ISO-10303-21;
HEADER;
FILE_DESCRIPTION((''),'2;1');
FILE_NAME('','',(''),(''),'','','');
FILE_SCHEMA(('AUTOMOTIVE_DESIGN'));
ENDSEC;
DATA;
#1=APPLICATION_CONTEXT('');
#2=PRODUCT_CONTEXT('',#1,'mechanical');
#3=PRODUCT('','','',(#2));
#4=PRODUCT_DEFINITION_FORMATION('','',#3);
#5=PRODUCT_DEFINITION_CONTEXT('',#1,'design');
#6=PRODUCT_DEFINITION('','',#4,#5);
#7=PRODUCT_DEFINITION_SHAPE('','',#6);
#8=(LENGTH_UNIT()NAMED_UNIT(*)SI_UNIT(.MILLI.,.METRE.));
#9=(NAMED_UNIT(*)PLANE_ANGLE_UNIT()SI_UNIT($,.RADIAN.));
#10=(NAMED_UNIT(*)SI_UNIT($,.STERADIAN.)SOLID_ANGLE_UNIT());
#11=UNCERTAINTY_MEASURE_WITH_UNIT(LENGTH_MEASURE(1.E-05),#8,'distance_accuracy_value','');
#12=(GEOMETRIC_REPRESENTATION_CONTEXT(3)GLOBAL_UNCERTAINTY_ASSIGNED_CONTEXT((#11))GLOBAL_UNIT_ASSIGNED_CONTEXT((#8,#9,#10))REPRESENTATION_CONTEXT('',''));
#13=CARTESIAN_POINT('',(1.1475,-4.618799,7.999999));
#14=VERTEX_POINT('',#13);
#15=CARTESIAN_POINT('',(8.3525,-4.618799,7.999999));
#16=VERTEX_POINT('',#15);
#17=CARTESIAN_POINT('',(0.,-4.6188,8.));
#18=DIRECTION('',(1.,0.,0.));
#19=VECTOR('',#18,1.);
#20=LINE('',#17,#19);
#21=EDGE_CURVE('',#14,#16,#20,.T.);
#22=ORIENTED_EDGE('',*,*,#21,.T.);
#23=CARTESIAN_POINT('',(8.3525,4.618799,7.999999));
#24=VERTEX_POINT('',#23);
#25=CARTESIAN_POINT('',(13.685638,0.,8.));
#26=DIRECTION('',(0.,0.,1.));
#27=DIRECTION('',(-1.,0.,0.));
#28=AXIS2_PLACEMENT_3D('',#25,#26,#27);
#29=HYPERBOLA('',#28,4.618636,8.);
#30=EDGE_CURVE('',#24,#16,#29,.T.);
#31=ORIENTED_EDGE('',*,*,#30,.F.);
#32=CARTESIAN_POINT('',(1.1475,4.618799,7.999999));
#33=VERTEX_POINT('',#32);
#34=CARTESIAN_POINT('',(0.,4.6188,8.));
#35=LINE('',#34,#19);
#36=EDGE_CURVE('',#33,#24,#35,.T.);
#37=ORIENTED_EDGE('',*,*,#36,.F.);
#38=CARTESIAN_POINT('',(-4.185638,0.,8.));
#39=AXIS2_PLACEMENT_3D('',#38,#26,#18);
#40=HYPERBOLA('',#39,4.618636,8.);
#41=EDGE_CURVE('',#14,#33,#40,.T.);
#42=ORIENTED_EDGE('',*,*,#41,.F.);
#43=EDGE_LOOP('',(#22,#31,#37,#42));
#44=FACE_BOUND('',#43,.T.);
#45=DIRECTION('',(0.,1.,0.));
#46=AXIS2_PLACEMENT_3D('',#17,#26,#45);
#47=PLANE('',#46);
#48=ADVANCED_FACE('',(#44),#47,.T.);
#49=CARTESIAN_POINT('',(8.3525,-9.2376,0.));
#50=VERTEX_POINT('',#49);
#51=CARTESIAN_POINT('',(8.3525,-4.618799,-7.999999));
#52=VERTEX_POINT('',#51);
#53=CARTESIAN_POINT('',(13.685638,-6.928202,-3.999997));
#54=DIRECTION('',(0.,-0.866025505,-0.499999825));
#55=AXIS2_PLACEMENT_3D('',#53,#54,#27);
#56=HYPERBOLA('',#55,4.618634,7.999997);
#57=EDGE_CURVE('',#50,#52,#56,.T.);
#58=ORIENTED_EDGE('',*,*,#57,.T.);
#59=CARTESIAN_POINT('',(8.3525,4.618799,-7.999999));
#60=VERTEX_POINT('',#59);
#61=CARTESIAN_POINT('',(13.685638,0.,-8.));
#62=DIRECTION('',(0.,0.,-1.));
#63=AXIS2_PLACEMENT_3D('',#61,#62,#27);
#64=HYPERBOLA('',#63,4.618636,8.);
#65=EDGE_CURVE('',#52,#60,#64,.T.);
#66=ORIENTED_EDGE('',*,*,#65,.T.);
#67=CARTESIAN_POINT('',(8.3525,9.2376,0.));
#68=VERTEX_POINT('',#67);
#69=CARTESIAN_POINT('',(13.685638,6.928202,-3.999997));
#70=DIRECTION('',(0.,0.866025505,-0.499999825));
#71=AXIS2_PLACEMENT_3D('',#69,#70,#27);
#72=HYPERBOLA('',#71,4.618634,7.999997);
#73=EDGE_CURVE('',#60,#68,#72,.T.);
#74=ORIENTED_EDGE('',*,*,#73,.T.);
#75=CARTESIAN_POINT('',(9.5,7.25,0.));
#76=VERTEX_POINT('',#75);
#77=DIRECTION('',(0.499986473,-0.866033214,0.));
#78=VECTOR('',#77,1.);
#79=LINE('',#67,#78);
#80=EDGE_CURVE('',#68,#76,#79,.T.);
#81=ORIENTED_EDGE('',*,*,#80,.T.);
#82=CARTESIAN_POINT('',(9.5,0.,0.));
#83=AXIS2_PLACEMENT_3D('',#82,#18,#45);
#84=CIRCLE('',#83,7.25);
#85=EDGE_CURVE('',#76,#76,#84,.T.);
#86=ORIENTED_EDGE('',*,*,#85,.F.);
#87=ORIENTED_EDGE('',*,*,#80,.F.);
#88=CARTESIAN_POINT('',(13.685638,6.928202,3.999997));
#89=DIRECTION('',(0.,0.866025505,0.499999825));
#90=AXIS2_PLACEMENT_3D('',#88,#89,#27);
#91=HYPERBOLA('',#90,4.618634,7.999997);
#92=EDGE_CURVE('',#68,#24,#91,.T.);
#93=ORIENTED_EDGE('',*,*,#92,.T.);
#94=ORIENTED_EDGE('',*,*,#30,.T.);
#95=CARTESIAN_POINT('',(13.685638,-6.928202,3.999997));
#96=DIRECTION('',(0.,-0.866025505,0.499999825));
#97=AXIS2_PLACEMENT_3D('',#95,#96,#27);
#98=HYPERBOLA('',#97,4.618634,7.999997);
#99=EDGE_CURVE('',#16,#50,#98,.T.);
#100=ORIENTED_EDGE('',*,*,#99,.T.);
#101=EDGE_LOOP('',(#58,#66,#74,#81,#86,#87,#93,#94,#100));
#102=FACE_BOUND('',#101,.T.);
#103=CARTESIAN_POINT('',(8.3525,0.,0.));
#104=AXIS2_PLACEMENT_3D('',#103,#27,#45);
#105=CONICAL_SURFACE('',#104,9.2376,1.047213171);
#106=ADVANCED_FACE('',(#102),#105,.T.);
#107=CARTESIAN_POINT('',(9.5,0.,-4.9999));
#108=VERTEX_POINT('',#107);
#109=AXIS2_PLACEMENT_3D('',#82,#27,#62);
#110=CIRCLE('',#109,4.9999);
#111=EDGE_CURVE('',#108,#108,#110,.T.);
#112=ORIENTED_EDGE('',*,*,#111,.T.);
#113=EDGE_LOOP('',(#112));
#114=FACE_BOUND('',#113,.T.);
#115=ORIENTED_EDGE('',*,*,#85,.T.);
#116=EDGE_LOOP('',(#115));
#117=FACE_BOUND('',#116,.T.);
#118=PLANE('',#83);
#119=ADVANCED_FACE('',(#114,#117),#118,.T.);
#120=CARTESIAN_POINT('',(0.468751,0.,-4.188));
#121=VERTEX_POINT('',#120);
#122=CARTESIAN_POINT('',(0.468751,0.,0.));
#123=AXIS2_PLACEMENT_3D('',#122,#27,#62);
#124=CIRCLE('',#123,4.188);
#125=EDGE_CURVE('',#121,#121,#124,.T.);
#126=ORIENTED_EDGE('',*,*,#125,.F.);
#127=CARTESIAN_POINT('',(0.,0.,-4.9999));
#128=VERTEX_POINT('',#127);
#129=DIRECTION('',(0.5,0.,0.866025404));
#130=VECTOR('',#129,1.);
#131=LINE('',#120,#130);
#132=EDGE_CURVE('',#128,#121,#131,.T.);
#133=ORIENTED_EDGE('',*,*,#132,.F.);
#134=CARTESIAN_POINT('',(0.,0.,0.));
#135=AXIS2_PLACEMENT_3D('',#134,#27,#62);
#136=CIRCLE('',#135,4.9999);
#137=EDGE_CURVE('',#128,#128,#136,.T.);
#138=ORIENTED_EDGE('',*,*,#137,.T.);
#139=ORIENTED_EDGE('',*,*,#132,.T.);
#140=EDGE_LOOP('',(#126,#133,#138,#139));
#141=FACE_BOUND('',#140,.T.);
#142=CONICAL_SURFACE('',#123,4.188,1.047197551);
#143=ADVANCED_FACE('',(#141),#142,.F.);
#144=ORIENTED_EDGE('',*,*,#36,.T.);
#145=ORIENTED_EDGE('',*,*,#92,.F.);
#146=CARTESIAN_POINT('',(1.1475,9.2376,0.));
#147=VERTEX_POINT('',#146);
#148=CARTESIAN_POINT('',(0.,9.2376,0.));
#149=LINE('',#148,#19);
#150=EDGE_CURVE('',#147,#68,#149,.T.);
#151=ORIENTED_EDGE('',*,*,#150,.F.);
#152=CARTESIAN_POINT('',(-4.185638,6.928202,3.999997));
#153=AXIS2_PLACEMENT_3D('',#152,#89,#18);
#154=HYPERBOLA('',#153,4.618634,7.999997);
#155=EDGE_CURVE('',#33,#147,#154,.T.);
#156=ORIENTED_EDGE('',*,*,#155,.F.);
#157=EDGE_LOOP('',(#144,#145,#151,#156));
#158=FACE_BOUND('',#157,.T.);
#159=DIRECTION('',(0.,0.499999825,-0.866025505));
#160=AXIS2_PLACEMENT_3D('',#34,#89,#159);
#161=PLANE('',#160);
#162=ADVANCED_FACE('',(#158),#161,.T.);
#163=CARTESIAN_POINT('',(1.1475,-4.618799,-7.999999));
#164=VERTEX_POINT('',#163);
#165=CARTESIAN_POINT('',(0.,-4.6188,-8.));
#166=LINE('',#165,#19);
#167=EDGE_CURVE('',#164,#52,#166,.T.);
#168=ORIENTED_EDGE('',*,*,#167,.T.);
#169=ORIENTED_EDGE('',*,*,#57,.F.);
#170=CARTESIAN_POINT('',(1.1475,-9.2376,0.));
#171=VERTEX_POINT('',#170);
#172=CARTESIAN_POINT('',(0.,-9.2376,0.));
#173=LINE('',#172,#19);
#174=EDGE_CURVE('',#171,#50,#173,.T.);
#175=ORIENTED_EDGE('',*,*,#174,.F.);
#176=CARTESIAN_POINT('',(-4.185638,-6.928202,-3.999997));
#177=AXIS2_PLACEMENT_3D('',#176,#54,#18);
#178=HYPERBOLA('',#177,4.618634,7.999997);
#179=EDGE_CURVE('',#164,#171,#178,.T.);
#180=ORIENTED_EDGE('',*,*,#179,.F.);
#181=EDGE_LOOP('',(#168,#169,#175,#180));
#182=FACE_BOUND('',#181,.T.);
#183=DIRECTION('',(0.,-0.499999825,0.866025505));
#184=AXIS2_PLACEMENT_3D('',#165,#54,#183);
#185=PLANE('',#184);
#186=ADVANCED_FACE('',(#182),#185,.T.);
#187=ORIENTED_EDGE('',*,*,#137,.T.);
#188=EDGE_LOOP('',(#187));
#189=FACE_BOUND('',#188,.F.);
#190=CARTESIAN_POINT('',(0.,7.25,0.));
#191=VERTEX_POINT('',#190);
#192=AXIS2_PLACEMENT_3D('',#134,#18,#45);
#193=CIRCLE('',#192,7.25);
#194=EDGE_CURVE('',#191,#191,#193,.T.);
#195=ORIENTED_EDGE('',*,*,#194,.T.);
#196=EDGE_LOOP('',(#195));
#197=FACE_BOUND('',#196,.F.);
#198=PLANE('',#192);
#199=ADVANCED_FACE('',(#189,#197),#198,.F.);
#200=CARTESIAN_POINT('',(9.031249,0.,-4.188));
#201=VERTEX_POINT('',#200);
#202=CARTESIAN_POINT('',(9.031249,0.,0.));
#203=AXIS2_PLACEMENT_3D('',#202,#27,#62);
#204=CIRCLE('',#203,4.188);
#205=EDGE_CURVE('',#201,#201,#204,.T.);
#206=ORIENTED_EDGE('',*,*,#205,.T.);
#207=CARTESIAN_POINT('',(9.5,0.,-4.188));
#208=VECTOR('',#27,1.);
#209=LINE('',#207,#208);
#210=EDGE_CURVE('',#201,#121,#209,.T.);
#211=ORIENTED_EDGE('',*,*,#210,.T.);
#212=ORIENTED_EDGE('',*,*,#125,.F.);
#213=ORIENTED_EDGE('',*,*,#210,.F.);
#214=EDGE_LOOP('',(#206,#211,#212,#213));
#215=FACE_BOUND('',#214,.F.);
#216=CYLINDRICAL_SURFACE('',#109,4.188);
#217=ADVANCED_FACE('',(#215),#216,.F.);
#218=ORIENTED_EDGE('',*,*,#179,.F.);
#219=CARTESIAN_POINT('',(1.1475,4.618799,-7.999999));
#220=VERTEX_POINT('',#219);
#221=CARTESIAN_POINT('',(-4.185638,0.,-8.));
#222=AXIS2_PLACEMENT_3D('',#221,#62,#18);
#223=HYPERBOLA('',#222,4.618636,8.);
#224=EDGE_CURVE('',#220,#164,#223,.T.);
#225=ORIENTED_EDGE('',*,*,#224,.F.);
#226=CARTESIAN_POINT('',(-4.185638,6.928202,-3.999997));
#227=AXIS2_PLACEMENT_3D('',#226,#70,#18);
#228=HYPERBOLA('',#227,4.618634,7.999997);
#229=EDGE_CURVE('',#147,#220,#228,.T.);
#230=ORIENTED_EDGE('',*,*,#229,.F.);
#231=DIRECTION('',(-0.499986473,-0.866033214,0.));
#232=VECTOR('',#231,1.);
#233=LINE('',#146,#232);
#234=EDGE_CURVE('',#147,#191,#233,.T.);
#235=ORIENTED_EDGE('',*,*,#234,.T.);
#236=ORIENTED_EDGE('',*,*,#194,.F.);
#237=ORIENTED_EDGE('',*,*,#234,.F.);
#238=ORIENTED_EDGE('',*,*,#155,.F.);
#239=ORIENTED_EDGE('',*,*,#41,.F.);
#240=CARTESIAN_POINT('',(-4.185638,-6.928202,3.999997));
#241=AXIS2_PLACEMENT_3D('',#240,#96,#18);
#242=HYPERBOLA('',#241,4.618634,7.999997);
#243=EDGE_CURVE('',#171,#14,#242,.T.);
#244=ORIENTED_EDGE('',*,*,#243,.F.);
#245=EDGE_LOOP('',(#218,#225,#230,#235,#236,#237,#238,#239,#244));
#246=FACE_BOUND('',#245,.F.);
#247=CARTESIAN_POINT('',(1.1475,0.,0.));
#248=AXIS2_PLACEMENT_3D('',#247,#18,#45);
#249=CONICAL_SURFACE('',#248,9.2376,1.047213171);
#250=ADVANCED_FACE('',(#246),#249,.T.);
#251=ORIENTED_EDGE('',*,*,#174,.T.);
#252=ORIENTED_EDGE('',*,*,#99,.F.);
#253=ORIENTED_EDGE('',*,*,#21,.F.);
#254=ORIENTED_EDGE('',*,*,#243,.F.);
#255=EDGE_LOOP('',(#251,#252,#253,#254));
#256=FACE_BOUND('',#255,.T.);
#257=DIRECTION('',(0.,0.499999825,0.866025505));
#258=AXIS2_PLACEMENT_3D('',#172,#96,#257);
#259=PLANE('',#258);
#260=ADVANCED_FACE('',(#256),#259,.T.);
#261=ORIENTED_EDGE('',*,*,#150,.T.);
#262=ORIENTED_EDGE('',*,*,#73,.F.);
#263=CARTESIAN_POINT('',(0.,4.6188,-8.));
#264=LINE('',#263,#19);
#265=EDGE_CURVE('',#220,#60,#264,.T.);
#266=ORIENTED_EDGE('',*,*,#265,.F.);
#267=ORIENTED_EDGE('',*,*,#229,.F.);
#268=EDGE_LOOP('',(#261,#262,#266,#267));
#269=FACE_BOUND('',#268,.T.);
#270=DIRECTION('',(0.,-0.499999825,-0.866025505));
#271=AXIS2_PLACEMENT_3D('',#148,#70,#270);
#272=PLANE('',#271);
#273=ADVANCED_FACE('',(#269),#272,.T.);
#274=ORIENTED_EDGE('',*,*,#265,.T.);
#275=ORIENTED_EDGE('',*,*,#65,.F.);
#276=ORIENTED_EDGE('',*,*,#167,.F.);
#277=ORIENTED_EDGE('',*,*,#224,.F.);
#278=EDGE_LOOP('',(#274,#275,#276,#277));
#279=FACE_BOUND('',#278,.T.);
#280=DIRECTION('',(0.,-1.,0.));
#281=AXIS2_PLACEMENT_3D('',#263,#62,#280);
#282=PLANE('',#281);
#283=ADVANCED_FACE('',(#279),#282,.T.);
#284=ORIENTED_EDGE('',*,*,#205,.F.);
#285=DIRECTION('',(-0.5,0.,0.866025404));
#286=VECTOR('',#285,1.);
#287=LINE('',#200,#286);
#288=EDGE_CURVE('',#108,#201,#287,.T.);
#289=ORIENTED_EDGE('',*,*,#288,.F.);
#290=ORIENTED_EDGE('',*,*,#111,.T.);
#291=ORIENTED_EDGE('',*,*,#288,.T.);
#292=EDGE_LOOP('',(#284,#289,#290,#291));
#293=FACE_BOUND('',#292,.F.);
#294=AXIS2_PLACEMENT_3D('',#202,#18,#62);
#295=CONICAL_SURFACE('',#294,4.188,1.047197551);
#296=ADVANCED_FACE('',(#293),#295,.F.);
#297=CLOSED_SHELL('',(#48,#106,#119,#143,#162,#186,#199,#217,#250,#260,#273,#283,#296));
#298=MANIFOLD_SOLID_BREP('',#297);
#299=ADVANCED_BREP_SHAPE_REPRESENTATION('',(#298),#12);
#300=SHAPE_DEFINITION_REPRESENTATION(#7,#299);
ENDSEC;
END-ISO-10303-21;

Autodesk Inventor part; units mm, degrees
ref_plane "YZ Plane" through (0, 0, 0) normal (1, 0, 0) x (0, 1, 0)
ref_plane "XZ Plane" through (0, 0, 0) normal (0, 1, 0) x (-1, 0, 0)
sketch "Sketch1" plane through (0, 0, 0) normal (1, 0, 0) x (0, 1, 0)
  line L0 (-9.2376, 0) -> (-4.6188, 8)
  line L1 (-4.6188, 8) -> (4.6188, 8)
  line L2 (4.6188, 8) -> (9.2376, 0)
  line L3 (9.2376, 0) -> (4.6188, -8)
  line L4 (4.6188, -8) -> (-4.6188, -8)
  line L5 (-4.6188, -8) -> (-9.2376, 0)
  point P0 (0, 0)
  point P1 (0, 0)
  dimension "d0" = 18.4752
extrude "Body" add sketch "Sketch1" along normal blind 9.5
sketch "Sketch2" plane through (0, 0, 0) normal (0, 0, 1) x (1, 0, 0)
  line L0 (0, 4.6188) -> (0, 9.2376) projected
  line L1 (0, 9.2376) -> (9.5, 9.2376) projected
  line L2 (9.5, 4.6188) -> (9.5, 9.2376) projected
  line L3 (-1.9, 0) -> (11.4, 0) projected
  line L4 (1.1475, 9.2376) -> (0, 7.25)
  line L5 (8.3525, 9.2376) -> (9.5, 7.25)
  dimension "d3" = 30
  dimension "d4" = 30
  dimension "d5" = 14.5
  dimension "d6" = 14.5
revolve "Chamfer1" cut sketch "Sketch2" angle 360 about axis through (-10, 0, 0) along (1, 0, 0)
sketch "Sketch3" plane through (9.5, 0, 0) normal (1, 0, 0) x (0, 0, -1)
  arc A0 (-0.625, -1.0825) -> (0.625, -1.0825) centre (0, 0) ccw projected
hole "Thread" at (9.5, 0, 0) direction (-1, 0, 0) diameter 8.376 end through all thread size "M10x1.5" class "6H" standard "ISO Metric profile"
chamfer "Chamfer2" distance 0.8119 angle 30 1 edges at (9.5, 0, 4.188) measured on face at (9.5, 6.1489, -0.7466)
chamfer "Chamfer3" distance 0.8119 angle 30 1 edges at (0, 0, 4.188) measured on face at (0, 6.1489, -0.7466)
ref_plane "Work Plane1" through (-16.8587, 0, 0) normal (0, -0.866, -0.5) x (1, 0, 0)
equation "\"d0\" = 1.1547 * SW"
equation "\"d1\" = KOH"
equation "\"d3\" = ANG1"
equation "\"d4\" = ANG2"
equation "\"d5\" = SW0"
equation "\"d6\" = SW01"
equation "\"d8\" = -0.5 * GD1 + 0.5 * NND"
equation "\"d40\" = -0.5 * GD1 + 0.5 * NND"
equation "\"d10\" = -0.5 * GD1 + 0.5 * NND"
equation "\"d41\" = -0.5 * GD1 + 0.5 * NND"
equation "\"ANG1\" = 30deg"
equation "\"ANG2\" = 30deg"
equation "\"KOH\" = 9.5"
equation "\"SW\" = 16"
equation "\"SW0\" = 14.5"
equation "\"SW01\" = 14.5"
equation "\"GUL\" = 0.541266 * PTC"
equation "\"TOA\" = 30deg"
equation "\"PTC\" = 1.5"
equation "\"E0\" = 1.155 * SW"
equation "\"GAL\" = 0.541266 * PTC"
equation "\"GD1\" = 8.376202"
equation "\"NND\" = 10"
properties part number "ISO 4034 - M10" material "Stainless Steel"
